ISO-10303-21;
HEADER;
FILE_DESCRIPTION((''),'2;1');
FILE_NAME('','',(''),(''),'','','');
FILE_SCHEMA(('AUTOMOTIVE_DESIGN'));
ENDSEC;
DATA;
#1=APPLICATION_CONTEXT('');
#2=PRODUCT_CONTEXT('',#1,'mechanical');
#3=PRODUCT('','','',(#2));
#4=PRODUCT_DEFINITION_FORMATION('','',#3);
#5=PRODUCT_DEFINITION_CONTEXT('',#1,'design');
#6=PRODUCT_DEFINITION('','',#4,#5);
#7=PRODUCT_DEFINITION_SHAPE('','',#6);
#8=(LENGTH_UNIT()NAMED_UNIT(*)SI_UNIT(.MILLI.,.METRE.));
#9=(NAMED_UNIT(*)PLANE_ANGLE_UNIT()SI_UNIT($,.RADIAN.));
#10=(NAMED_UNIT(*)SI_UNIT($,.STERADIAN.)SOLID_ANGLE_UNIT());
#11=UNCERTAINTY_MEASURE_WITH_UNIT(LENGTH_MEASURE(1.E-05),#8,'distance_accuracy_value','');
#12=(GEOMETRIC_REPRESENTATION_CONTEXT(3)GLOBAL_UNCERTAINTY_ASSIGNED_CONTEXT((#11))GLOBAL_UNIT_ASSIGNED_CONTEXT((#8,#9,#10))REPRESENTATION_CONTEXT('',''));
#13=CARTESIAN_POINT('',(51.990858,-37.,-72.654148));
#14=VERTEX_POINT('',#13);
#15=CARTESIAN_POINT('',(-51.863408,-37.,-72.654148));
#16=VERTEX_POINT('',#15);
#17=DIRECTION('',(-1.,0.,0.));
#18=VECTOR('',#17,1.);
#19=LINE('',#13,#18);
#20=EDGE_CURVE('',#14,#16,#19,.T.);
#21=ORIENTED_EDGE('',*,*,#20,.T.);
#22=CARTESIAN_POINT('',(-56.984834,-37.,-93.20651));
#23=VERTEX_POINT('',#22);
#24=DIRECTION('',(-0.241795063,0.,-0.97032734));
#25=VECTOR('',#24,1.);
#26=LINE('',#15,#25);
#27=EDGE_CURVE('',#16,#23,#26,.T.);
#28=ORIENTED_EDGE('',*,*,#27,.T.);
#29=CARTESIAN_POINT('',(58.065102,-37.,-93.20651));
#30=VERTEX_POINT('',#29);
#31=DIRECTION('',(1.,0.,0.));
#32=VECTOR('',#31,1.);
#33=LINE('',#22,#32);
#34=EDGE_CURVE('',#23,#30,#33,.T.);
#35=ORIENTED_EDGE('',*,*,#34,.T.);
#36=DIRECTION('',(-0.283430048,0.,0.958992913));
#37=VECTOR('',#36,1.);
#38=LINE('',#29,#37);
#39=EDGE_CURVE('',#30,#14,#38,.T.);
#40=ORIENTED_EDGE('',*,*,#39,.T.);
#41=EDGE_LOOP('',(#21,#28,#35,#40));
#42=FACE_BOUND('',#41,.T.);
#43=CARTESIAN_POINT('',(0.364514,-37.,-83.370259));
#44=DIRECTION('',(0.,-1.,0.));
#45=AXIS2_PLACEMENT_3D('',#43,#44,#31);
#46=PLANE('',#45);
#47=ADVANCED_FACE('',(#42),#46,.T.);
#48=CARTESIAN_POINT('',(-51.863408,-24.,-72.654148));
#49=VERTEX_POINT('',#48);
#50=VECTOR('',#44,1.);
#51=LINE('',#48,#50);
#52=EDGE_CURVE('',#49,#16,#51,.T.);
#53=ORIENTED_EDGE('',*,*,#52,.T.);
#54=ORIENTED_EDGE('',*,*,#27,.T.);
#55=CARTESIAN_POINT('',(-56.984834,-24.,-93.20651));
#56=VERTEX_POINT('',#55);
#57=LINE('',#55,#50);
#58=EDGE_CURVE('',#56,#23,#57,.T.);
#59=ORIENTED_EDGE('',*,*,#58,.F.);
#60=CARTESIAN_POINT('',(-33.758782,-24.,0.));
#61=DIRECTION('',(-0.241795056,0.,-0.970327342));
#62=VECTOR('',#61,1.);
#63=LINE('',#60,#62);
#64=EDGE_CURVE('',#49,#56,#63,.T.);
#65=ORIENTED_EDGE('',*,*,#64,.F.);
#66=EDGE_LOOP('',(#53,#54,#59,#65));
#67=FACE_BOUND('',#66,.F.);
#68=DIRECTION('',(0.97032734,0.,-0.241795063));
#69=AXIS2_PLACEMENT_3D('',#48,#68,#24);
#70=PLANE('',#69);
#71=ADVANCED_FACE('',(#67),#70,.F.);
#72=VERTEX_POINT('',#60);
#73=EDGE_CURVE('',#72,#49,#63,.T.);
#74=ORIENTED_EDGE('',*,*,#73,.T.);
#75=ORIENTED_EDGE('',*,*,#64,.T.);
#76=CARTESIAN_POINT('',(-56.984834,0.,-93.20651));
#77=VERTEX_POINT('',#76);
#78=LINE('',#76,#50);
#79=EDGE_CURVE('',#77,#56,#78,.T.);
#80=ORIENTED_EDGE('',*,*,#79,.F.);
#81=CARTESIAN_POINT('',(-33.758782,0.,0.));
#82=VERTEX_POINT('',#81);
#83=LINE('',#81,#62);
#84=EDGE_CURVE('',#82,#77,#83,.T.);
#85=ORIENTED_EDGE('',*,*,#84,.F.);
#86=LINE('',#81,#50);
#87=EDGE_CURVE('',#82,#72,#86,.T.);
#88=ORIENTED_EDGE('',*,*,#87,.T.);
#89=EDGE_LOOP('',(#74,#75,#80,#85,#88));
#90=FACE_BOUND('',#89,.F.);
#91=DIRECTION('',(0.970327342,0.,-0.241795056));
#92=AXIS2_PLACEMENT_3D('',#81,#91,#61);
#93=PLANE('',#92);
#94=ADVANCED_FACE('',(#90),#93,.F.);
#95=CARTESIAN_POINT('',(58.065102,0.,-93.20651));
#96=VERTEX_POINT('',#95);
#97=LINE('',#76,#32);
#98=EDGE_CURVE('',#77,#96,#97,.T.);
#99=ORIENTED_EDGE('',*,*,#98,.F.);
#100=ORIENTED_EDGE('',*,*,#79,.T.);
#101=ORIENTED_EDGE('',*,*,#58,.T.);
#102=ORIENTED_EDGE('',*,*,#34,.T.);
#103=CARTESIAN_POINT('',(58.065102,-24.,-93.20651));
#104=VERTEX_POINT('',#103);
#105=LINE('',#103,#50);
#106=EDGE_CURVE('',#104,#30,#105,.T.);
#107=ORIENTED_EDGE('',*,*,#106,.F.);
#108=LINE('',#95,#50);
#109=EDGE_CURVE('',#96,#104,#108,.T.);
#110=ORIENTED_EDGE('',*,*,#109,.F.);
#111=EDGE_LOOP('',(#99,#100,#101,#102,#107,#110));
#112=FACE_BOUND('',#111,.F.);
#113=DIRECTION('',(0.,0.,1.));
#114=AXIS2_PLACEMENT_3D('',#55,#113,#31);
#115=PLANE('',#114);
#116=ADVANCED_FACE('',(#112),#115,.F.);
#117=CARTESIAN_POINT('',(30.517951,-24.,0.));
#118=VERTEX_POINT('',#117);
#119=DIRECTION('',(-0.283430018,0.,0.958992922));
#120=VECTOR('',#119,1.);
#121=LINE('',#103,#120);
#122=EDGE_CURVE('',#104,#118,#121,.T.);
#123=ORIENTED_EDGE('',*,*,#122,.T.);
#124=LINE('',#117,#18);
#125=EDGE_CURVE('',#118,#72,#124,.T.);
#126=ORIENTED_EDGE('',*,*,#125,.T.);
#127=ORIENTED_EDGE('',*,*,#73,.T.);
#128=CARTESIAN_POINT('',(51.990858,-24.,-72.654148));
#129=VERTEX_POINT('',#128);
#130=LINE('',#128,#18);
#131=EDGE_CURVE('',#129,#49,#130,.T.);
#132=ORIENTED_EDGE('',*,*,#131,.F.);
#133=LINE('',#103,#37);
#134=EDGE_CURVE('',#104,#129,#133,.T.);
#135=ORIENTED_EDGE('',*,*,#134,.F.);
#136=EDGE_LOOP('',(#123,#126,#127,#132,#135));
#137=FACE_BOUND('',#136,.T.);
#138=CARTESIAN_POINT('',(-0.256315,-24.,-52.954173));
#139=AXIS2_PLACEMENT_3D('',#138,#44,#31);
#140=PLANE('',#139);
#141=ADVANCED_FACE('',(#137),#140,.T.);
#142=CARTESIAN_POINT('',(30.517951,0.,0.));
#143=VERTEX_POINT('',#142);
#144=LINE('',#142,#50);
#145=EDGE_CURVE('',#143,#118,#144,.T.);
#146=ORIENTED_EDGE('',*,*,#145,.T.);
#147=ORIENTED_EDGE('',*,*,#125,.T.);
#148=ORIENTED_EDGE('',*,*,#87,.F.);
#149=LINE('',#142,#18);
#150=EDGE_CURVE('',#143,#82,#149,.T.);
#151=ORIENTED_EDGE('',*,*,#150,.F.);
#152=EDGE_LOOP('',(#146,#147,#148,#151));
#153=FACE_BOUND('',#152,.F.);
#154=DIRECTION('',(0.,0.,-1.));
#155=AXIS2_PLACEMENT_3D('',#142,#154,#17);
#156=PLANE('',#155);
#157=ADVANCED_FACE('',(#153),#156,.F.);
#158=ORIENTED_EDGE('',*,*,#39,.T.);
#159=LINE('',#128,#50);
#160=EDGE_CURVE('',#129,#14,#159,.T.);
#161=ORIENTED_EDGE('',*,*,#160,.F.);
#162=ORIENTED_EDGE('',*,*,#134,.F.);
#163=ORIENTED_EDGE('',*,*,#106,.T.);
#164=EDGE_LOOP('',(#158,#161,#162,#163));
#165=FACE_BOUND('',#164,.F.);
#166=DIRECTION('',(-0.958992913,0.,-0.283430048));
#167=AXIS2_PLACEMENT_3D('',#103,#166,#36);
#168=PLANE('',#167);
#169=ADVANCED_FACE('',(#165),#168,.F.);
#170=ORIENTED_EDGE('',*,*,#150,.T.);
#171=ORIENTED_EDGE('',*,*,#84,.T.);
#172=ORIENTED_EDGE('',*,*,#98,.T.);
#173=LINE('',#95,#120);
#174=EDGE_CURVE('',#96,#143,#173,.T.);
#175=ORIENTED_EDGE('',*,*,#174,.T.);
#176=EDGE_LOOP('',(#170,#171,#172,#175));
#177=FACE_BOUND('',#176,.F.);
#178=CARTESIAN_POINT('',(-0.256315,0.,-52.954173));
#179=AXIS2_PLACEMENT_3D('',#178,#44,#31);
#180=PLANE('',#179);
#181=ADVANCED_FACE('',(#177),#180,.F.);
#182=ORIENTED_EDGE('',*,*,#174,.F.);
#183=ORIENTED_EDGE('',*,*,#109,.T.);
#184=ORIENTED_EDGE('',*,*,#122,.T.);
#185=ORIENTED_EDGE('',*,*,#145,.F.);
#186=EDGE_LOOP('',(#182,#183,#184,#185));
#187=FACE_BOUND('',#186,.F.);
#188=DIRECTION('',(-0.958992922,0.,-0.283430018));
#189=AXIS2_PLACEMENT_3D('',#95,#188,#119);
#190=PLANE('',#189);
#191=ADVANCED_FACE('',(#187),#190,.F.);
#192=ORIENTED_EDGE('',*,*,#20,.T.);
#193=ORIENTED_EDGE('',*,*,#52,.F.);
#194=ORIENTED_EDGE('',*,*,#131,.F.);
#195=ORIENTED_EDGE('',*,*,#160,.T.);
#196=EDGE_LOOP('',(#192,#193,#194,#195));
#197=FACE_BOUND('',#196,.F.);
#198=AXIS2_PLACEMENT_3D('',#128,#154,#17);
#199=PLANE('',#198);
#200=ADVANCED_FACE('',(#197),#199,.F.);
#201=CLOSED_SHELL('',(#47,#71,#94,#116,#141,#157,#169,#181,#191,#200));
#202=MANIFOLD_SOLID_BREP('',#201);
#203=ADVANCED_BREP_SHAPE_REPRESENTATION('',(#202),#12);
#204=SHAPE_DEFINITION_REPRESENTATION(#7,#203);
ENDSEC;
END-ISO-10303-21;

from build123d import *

# Parameters (mm, degrees)
F1_DEPTH = 24
F3_DEPTH = 13


with BuildPart() as f1:
    # F0 (on Front) → F1 (new body)
    with BuildSketch(Plane.XZ):
        Polygon((30.517951, 0), (-33.758782, 0), (-56.984834, -93.20651), (58.065102, -93.20651), align=None)
    extrude(amount=F1_DEPTH)

    # F2 (on face) → F3 (join)
    with BuildSketch(Plane.XZ.offset(24)):
        Polygon((-51.863408, -72.654148), (-56.984834, -93.20651), (58.065102, -93.20651), (51.990858, -72.654148), align=None)
    extrude(amount=F3_DEPTH)


solid = f1.part
